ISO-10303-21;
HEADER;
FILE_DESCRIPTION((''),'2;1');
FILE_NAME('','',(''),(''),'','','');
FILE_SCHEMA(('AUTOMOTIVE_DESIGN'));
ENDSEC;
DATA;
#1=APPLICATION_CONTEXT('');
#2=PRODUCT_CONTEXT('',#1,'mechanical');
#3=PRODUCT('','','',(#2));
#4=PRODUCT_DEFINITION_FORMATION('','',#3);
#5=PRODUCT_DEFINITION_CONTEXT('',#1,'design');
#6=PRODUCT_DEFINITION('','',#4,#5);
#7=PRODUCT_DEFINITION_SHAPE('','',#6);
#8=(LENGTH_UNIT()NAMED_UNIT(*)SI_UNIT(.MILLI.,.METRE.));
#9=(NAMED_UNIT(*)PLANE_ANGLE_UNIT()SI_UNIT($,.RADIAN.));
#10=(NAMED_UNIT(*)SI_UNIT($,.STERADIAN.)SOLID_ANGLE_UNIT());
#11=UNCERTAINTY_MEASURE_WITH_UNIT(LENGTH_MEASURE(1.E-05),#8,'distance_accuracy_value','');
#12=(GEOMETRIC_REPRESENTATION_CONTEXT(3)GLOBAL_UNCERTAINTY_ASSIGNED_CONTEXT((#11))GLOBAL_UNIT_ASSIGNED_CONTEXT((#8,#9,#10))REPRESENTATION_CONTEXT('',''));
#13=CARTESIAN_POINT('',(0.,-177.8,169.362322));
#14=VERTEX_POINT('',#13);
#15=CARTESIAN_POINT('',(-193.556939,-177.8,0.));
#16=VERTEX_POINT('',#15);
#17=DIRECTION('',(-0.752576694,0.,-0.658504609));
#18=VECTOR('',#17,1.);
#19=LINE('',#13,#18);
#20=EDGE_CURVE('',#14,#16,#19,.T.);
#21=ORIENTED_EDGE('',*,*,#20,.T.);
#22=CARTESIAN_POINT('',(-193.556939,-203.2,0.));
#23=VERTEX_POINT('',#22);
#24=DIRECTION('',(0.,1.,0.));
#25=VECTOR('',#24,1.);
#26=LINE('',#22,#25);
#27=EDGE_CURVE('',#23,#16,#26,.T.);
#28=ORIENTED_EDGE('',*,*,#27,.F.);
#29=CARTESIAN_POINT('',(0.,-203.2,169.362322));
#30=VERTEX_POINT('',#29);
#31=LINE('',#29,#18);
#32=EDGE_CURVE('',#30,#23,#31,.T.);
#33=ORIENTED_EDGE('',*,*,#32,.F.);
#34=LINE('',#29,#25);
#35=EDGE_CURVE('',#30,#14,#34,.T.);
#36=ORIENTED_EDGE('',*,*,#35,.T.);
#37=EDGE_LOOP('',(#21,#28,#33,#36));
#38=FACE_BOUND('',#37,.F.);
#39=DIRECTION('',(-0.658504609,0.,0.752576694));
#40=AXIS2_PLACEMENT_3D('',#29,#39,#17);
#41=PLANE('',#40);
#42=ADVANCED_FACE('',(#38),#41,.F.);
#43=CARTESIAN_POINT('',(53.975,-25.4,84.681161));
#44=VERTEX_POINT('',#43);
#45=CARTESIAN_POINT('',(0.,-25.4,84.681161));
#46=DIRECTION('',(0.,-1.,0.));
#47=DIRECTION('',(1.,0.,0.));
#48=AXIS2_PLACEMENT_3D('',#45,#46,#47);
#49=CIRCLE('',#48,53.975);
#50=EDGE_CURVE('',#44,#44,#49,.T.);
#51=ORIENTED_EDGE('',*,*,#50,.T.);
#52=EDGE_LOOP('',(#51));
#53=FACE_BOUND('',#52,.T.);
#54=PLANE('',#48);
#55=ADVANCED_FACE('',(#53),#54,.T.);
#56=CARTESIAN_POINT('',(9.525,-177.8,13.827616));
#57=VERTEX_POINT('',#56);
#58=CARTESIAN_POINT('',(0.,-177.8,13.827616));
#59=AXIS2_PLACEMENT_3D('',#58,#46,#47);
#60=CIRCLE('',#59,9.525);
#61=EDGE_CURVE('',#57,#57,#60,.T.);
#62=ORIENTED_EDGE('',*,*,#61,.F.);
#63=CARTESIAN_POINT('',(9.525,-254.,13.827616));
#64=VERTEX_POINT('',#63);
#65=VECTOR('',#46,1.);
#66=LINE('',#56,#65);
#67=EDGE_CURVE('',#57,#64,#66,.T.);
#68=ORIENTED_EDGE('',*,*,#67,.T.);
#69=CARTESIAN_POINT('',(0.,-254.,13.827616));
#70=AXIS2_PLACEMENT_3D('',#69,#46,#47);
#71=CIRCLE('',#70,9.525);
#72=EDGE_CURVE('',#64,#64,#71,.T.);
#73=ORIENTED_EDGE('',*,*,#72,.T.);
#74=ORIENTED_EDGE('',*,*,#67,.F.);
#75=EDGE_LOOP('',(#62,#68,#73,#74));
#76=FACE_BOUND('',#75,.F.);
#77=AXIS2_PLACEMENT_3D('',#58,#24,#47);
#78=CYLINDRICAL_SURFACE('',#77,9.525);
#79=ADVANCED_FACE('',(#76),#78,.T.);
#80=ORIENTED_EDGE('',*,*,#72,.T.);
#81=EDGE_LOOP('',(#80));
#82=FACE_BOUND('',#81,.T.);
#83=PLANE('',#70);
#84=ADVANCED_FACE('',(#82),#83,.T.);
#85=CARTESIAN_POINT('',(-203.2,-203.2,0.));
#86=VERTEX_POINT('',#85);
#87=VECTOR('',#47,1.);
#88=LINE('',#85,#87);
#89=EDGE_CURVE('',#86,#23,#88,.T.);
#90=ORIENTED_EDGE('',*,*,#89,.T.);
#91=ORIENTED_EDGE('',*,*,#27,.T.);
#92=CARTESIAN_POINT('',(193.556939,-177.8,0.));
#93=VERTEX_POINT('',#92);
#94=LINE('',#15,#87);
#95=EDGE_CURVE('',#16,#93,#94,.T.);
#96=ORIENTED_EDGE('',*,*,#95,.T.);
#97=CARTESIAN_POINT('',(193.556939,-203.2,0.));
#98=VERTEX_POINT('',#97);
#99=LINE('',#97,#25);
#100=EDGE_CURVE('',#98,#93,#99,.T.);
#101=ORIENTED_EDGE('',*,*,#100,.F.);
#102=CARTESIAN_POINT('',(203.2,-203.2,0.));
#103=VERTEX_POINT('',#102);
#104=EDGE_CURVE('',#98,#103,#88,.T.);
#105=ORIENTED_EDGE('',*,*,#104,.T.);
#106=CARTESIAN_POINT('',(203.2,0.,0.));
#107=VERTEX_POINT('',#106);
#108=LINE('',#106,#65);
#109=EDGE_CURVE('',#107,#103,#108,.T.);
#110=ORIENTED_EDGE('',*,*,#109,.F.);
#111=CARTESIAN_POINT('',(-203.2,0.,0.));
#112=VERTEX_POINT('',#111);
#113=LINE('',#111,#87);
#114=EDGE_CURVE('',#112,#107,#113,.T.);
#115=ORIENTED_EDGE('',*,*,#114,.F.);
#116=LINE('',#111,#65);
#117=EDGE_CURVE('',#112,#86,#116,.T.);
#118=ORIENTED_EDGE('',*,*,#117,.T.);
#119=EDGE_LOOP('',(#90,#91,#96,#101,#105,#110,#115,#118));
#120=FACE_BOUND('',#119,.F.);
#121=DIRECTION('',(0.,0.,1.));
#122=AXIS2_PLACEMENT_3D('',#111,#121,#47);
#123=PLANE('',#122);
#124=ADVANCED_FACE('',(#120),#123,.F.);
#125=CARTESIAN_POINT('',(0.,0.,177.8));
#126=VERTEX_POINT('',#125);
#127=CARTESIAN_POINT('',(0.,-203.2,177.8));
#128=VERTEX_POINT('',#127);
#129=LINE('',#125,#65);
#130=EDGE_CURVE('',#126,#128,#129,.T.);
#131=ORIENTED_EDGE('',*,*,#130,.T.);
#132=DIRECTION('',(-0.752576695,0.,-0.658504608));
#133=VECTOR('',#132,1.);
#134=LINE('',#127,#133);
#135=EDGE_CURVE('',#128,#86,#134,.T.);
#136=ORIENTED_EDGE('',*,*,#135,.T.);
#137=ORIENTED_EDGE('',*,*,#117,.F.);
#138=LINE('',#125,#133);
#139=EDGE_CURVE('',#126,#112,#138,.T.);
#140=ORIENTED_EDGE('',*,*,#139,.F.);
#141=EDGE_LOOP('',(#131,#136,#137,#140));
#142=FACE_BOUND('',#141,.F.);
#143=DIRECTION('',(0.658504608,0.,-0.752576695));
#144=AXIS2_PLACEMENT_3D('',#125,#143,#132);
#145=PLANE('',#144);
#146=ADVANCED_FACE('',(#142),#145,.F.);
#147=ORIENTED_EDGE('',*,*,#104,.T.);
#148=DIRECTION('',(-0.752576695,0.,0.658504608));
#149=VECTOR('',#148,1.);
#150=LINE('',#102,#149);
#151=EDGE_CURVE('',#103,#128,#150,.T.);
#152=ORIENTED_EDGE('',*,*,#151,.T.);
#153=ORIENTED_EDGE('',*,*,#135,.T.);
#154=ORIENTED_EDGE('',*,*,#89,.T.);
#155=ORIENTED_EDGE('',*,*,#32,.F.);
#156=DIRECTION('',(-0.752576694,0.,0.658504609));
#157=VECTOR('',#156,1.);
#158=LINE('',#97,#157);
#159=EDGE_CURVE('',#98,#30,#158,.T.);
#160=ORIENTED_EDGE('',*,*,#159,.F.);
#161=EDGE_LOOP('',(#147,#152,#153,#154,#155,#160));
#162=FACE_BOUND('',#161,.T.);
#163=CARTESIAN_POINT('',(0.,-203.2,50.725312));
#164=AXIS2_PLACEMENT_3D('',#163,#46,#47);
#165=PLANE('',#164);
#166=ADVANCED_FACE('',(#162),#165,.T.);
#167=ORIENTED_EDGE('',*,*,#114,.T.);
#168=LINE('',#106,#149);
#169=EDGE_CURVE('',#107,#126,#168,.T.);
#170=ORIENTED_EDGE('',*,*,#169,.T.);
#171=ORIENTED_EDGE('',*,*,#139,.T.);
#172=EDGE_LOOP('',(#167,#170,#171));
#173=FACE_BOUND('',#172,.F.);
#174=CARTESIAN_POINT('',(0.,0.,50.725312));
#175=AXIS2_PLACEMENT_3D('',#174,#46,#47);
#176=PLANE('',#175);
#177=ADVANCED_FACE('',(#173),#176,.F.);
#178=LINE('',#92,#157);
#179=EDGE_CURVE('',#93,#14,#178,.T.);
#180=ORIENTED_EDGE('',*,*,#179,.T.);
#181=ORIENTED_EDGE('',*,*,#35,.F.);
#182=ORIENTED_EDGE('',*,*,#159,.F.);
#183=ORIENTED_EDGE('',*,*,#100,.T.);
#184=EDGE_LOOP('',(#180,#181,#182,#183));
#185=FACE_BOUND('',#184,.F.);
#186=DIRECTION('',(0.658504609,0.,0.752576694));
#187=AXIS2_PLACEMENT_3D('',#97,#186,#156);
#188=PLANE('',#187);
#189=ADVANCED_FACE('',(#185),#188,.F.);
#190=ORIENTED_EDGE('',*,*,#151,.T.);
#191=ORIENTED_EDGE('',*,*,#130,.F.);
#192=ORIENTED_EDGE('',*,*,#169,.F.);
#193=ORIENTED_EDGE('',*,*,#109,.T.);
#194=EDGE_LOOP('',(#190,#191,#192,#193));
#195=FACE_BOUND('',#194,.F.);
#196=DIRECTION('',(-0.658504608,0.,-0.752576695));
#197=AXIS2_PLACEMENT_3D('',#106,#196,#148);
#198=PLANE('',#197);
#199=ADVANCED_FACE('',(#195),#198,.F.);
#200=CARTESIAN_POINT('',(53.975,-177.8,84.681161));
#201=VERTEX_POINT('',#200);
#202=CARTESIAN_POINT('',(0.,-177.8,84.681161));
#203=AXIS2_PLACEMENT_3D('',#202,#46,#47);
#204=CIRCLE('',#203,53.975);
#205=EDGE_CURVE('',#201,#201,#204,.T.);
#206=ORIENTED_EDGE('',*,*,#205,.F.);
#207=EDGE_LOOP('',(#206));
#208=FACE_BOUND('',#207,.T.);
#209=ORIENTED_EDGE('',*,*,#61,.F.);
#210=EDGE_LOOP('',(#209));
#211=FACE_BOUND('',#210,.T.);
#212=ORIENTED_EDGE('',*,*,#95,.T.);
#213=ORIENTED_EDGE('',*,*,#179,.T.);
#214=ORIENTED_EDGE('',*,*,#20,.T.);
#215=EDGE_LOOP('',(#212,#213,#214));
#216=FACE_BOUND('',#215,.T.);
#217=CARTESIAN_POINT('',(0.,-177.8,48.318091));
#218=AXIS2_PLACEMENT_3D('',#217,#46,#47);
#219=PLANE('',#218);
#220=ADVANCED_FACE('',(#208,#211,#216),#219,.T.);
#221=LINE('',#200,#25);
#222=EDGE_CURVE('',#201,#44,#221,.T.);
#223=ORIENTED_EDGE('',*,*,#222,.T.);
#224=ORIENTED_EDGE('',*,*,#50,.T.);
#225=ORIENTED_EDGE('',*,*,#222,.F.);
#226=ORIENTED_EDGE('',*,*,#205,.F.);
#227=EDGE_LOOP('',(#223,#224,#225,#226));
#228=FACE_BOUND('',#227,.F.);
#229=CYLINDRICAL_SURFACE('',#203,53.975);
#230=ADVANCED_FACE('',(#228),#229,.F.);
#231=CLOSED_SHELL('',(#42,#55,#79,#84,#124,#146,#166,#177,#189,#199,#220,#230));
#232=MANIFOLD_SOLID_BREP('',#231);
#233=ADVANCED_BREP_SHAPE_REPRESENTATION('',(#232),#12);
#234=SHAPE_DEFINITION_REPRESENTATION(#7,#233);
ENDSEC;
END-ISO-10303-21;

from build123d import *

# Parameters (mm, degrees)
F1_DEPTH = 203.2
F3_DEPTH = 25.4
F4_R     = 53.975
F5_DEPTH = 152.4
F4_R_2   = 9.525
F6_DEPTH = 76.2


with BuildPart() as f1:
    # F0 (on Front) → F1 (new body)
    with BuildSketch(Plane.XZ):
        Polygon((0, 177.8), (-203.2, 0), (203.2, 0), align=None)
    extrude(amount=F1_DEPTH)

    # F2 (on face) → F3 (cut)
    with BuildSketch(Plane.XZ.offset(203.2)):
        Polygon((0, 169.362322), (-193.556939, 0), (193.556939, 0), align=None)
    extrude(amount=-F3_DEPTH, mode=Mode.SUBTRACT)

    # F4 (on face) → F5 (cut)
    with BuildSketch(Plane.XZ.offset(177.8)):
        with Locations((0, 84.681161)):
            Circle(F4_R)
    extrude(amount=-F5_DEPTH, mode=Mode.SUBTRACT)

    # F4 (on face) → F6 (join)
    with BuildSketch(Plane.XZ.offset(177.8)):
        with Locations((0, 13.827616)):
            Circle(F4_R_2)
    extrude(amount=F6_DEPTH)


solid = f1.part
